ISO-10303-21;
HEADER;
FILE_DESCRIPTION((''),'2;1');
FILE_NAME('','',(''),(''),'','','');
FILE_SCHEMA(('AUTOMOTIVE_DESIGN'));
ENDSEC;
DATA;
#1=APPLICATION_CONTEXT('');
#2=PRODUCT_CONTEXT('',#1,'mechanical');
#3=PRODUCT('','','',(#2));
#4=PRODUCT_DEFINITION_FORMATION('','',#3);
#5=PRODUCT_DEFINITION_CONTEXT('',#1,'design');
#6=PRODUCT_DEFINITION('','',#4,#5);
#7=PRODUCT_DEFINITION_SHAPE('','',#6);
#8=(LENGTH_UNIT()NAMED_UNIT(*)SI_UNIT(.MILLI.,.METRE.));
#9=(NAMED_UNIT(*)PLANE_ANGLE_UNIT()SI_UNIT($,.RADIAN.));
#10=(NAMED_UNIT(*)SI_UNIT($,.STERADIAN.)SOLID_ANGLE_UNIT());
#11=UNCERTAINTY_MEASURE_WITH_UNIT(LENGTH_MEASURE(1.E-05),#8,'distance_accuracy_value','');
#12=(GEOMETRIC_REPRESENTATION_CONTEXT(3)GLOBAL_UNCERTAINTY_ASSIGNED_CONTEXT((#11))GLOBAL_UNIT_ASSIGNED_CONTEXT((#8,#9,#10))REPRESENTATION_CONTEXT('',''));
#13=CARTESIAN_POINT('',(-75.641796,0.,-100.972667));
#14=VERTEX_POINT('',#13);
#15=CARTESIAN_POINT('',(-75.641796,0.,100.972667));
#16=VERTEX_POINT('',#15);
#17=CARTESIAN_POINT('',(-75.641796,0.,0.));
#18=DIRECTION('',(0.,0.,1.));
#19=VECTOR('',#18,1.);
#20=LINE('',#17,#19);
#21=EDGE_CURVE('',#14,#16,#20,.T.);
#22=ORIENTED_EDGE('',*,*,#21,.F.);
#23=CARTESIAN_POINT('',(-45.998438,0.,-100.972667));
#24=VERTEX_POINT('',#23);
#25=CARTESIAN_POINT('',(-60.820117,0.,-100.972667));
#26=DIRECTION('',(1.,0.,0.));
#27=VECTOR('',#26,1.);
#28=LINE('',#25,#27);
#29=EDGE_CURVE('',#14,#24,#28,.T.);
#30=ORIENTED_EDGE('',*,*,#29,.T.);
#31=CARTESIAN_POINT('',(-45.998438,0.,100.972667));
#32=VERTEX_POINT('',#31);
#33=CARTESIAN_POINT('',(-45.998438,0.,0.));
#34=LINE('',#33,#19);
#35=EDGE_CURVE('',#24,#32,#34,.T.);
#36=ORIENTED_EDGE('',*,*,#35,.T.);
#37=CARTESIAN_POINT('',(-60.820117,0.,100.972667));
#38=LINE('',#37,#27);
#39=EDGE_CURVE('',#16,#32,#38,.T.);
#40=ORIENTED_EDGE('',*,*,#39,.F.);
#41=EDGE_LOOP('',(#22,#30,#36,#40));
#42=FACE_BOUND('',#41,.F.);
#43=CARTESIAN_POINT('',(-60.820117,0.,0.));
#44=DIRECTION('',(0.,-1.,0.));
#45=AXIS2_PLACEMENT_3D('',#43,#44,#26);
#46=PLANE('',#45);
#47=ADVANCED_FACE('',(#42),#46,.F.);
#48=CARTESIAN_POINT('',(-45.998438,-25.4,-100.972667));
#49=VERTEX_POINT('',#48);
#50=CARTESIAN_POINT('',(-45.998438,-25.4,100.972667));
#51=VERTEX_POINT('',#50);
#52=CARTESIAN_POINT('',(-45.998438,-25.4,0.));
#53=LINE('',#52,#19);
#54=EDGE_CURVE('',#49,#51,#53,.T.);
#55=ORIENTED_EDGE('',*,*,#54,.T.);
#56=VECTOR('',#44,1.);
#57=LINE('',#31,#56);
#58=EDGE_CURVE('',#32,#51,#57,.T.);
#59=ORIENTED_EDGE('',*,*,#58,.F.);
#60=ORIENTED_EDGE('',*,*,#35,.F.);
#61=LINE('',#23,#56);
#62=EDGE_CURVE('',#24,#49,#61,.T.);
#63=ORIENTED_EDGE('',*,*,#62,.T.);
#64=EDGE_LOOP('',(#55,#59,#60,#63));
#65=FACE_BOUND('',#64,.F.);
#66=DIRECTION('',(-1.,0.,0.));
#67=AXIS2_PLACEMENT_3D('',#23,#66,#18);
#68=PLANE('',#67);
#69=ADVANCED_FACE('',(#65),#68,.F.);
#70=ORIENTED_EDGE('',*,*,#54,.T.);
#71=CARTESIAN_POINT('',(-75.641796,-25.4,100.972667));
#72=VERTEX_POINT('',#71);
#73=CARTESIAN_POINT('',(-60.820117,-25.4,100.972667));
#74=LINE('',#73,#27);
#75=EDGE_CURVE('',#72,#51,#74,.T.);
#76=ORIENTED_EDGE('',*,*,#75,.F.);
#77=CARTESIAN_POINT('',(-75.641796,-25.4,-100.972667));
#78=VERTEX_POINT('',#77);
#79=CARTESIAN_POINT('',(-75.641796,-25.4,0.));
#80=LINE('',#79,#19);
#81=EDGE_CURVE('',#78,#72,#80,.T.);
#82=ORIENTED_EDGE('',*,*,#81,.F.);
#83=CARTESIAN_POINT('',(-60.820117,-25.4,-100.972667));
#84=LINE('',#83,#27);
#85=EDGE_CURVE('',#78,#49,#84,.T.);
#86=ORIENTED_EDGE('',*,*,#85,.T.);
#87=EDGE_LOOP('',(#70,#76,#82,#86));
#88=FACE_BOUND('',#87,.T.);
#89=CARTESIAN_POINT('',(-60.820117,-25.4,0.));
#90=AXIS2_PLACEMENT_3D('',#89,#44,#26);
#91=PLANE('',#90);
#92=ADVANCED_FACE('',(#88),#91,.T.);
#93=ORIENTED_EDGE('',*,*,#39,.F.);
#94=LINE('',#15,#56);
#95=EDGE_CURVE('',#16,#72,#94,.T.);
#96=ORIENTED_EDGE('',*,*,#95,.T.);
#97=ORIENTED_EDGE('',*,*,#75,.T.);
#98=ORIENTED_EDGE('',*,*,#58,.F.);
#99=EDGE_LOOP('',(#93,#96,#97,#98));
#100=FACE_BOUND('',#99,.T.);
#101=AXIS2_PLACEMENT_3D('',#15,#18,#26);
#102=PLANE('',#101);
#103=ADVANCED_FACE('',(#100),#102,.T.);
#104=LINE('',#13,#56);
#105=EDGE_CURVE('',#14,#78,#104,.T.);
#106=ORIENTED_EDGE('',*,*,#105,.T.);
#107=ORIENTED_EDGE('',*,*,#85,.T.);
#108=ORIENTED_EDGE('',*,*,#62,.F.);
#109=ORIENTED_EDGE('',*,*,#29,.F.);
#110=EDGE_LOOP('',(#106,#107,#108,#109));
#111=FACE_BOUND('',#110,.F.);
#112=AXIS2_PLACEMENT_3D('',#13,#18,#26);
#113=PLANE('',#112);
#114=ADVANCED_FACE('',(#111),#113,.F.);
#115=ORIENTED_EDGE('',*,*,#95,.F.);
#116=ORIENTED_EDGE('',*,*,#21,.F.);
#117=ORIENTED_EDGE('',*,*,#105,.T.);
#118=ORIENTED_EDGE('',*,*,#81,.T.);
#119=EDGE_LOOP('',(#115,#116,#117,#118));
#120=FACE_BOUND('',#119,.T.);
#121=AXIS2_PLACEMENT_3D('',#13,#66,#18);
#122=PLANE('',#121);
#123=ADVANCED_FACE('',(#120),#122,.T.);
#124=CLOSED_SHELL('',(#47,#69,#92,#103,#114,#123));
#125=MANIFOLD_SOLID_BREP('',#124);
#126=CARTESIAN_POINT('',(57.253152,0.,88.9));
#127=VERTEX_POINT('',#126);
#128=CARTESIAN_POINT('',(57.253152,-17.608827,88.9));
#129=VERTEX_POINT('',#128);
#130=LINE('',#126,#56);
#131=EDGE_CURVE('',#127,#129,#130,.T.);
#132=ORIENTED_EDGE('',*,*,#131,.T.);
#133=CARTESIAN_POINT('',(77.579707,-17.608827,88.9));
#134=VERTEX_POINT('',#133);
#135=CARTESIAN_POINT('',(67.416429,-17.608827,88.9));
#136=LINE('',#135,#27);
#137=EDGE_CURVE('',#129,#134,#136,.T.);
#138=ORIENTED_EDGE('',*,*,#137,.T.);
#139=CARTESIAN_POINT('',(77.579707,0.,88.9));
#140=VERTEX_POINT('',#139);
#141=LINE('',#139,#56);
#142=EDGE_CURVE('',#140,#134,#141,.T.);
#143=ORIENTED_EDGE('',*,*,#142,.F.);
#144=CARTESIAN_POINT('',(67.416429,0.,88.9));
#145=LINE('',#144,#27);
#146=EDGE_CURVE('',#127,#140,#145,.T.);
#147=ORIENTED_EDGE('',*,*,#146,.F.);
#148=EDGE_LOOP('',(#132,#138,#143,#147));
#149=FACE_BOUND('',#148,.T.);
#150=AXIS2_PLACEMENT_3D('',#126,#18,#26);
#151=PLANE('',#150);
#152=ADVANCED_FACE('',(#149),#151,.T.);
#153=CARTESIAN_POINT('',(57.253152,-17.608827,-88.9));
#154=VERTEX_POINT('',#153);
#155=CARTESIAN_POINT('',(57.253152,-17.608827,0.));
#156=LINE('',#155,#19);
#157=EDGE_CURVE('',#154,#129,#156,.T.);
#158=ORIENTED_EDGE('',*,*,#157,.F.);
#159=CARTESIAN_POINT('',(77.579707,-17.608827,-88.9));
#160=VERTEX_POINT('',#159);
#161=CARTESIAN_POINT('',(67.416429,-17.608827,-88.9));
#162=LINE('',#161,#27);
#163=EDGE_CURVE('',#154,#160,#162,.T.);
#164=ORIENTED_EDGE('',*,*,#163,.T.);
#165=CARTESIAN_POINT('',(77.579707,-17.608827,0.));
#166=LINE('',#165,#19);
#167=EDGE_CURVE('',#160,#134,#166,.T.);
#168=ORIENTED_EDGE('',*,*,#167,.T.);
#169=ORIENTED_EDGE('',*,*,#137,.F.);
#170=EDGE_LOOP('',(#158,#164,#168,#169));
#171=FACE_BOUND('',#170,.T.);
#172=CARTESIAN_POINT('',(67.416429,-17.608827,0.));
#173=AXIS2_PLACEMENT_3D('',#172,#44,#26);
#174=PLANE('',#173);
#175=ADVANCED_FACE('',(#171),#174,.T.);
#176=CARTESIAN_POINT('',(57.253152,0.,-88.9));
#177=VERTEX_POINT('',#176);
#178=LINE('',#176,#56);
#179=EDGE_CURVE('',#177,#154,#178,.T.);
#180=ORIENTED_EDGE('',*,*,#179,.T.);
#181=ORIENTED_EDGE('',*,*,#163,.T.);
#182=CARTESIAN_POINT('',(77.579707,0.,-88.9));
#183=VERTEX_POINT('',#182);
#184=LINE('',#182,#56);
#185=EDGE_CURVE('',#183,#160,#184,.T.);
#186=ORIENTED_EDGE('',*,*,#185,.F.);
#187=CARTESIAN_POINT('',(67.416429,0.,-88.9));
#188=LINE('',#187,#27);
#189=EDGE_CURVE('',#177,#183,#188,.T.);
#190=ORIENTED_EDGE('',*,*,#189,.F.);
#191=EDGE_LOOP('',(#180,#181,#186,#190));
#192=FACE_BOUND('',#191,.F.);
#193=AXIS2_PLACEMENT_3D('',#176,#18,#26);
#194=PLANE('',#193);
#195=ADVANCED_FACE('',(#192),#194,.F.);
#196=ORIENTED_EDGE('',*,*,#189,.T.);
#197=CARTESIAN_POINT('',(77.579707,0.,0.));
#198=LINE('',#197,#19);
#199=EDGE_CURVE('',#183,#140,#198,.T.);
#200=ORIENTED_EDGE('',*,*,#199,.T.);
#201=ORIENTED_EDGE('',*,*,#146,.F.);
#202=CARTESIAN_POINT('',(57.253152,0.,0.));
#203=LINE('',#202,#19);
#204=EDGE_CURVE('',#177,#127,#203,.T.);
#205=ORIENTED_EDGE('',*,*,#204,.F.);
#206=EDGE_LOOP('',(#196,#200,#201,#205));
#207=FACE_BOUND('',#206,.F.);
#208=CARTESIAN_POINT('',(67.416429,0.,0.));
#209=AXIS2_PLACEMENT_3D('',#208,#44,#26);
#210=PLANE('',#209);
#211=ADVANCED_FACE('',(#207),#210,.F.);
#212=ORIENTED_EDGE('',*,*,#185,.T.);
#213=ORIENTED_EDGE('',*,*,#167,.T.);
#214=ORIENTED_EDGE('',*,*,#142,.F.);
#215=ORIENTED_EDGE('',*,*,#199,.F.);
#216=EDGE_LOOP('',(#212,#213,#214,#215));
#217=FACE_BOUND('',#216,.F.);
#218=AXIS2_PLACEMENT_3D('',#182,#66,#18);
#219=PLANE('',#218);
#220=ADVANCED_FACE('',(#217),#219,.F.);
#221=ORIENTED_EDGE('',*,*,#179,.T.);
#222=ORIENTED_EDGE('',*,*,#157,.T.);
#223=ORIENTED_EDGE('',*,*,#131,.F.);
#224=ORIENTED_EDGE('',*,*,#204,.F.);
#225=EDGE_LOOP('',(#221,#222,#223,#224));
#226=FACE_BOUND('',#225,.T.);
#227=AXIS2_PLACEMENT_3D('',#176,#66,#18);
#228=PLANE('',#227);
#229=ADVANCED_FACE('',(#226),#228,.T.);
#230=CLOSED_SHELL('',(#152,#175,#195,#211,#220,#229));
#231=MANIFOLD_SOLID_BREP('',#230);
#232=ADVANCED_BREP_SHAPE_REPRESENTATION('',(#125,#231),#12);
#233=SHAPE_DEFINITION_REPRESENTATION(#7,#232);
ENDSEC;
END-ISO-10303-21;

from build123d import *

# Parameters (mm, degrees)
F0_W     = 20.326555
F0_H     = 177.8
F1_DEPTH = 17.608827
F3_W     = 29.643357
F3_H     = 201.945334
F4_DEPTH = 25.4


with BuildPart() as f1:
    # F0 (on Front) → F1 (new body)
    with BuildSketch(Plane.XZ):
        with Locations((67.416429, 0)):
            Rectangle(F0_W, F0_H)
    extrude(amount=F1_DEPTH)


with BuildPart() as f4:
    # F3 (on face) → F4 (new body)
    with BuildSketch(Plane.XZ):
        with Locations((-60.820117, 0)):
            Rectangle(F3_W, F3_H)
    extrude(amount=F4_DEPTH)


solid = Compound([f1.part, f4.part])
